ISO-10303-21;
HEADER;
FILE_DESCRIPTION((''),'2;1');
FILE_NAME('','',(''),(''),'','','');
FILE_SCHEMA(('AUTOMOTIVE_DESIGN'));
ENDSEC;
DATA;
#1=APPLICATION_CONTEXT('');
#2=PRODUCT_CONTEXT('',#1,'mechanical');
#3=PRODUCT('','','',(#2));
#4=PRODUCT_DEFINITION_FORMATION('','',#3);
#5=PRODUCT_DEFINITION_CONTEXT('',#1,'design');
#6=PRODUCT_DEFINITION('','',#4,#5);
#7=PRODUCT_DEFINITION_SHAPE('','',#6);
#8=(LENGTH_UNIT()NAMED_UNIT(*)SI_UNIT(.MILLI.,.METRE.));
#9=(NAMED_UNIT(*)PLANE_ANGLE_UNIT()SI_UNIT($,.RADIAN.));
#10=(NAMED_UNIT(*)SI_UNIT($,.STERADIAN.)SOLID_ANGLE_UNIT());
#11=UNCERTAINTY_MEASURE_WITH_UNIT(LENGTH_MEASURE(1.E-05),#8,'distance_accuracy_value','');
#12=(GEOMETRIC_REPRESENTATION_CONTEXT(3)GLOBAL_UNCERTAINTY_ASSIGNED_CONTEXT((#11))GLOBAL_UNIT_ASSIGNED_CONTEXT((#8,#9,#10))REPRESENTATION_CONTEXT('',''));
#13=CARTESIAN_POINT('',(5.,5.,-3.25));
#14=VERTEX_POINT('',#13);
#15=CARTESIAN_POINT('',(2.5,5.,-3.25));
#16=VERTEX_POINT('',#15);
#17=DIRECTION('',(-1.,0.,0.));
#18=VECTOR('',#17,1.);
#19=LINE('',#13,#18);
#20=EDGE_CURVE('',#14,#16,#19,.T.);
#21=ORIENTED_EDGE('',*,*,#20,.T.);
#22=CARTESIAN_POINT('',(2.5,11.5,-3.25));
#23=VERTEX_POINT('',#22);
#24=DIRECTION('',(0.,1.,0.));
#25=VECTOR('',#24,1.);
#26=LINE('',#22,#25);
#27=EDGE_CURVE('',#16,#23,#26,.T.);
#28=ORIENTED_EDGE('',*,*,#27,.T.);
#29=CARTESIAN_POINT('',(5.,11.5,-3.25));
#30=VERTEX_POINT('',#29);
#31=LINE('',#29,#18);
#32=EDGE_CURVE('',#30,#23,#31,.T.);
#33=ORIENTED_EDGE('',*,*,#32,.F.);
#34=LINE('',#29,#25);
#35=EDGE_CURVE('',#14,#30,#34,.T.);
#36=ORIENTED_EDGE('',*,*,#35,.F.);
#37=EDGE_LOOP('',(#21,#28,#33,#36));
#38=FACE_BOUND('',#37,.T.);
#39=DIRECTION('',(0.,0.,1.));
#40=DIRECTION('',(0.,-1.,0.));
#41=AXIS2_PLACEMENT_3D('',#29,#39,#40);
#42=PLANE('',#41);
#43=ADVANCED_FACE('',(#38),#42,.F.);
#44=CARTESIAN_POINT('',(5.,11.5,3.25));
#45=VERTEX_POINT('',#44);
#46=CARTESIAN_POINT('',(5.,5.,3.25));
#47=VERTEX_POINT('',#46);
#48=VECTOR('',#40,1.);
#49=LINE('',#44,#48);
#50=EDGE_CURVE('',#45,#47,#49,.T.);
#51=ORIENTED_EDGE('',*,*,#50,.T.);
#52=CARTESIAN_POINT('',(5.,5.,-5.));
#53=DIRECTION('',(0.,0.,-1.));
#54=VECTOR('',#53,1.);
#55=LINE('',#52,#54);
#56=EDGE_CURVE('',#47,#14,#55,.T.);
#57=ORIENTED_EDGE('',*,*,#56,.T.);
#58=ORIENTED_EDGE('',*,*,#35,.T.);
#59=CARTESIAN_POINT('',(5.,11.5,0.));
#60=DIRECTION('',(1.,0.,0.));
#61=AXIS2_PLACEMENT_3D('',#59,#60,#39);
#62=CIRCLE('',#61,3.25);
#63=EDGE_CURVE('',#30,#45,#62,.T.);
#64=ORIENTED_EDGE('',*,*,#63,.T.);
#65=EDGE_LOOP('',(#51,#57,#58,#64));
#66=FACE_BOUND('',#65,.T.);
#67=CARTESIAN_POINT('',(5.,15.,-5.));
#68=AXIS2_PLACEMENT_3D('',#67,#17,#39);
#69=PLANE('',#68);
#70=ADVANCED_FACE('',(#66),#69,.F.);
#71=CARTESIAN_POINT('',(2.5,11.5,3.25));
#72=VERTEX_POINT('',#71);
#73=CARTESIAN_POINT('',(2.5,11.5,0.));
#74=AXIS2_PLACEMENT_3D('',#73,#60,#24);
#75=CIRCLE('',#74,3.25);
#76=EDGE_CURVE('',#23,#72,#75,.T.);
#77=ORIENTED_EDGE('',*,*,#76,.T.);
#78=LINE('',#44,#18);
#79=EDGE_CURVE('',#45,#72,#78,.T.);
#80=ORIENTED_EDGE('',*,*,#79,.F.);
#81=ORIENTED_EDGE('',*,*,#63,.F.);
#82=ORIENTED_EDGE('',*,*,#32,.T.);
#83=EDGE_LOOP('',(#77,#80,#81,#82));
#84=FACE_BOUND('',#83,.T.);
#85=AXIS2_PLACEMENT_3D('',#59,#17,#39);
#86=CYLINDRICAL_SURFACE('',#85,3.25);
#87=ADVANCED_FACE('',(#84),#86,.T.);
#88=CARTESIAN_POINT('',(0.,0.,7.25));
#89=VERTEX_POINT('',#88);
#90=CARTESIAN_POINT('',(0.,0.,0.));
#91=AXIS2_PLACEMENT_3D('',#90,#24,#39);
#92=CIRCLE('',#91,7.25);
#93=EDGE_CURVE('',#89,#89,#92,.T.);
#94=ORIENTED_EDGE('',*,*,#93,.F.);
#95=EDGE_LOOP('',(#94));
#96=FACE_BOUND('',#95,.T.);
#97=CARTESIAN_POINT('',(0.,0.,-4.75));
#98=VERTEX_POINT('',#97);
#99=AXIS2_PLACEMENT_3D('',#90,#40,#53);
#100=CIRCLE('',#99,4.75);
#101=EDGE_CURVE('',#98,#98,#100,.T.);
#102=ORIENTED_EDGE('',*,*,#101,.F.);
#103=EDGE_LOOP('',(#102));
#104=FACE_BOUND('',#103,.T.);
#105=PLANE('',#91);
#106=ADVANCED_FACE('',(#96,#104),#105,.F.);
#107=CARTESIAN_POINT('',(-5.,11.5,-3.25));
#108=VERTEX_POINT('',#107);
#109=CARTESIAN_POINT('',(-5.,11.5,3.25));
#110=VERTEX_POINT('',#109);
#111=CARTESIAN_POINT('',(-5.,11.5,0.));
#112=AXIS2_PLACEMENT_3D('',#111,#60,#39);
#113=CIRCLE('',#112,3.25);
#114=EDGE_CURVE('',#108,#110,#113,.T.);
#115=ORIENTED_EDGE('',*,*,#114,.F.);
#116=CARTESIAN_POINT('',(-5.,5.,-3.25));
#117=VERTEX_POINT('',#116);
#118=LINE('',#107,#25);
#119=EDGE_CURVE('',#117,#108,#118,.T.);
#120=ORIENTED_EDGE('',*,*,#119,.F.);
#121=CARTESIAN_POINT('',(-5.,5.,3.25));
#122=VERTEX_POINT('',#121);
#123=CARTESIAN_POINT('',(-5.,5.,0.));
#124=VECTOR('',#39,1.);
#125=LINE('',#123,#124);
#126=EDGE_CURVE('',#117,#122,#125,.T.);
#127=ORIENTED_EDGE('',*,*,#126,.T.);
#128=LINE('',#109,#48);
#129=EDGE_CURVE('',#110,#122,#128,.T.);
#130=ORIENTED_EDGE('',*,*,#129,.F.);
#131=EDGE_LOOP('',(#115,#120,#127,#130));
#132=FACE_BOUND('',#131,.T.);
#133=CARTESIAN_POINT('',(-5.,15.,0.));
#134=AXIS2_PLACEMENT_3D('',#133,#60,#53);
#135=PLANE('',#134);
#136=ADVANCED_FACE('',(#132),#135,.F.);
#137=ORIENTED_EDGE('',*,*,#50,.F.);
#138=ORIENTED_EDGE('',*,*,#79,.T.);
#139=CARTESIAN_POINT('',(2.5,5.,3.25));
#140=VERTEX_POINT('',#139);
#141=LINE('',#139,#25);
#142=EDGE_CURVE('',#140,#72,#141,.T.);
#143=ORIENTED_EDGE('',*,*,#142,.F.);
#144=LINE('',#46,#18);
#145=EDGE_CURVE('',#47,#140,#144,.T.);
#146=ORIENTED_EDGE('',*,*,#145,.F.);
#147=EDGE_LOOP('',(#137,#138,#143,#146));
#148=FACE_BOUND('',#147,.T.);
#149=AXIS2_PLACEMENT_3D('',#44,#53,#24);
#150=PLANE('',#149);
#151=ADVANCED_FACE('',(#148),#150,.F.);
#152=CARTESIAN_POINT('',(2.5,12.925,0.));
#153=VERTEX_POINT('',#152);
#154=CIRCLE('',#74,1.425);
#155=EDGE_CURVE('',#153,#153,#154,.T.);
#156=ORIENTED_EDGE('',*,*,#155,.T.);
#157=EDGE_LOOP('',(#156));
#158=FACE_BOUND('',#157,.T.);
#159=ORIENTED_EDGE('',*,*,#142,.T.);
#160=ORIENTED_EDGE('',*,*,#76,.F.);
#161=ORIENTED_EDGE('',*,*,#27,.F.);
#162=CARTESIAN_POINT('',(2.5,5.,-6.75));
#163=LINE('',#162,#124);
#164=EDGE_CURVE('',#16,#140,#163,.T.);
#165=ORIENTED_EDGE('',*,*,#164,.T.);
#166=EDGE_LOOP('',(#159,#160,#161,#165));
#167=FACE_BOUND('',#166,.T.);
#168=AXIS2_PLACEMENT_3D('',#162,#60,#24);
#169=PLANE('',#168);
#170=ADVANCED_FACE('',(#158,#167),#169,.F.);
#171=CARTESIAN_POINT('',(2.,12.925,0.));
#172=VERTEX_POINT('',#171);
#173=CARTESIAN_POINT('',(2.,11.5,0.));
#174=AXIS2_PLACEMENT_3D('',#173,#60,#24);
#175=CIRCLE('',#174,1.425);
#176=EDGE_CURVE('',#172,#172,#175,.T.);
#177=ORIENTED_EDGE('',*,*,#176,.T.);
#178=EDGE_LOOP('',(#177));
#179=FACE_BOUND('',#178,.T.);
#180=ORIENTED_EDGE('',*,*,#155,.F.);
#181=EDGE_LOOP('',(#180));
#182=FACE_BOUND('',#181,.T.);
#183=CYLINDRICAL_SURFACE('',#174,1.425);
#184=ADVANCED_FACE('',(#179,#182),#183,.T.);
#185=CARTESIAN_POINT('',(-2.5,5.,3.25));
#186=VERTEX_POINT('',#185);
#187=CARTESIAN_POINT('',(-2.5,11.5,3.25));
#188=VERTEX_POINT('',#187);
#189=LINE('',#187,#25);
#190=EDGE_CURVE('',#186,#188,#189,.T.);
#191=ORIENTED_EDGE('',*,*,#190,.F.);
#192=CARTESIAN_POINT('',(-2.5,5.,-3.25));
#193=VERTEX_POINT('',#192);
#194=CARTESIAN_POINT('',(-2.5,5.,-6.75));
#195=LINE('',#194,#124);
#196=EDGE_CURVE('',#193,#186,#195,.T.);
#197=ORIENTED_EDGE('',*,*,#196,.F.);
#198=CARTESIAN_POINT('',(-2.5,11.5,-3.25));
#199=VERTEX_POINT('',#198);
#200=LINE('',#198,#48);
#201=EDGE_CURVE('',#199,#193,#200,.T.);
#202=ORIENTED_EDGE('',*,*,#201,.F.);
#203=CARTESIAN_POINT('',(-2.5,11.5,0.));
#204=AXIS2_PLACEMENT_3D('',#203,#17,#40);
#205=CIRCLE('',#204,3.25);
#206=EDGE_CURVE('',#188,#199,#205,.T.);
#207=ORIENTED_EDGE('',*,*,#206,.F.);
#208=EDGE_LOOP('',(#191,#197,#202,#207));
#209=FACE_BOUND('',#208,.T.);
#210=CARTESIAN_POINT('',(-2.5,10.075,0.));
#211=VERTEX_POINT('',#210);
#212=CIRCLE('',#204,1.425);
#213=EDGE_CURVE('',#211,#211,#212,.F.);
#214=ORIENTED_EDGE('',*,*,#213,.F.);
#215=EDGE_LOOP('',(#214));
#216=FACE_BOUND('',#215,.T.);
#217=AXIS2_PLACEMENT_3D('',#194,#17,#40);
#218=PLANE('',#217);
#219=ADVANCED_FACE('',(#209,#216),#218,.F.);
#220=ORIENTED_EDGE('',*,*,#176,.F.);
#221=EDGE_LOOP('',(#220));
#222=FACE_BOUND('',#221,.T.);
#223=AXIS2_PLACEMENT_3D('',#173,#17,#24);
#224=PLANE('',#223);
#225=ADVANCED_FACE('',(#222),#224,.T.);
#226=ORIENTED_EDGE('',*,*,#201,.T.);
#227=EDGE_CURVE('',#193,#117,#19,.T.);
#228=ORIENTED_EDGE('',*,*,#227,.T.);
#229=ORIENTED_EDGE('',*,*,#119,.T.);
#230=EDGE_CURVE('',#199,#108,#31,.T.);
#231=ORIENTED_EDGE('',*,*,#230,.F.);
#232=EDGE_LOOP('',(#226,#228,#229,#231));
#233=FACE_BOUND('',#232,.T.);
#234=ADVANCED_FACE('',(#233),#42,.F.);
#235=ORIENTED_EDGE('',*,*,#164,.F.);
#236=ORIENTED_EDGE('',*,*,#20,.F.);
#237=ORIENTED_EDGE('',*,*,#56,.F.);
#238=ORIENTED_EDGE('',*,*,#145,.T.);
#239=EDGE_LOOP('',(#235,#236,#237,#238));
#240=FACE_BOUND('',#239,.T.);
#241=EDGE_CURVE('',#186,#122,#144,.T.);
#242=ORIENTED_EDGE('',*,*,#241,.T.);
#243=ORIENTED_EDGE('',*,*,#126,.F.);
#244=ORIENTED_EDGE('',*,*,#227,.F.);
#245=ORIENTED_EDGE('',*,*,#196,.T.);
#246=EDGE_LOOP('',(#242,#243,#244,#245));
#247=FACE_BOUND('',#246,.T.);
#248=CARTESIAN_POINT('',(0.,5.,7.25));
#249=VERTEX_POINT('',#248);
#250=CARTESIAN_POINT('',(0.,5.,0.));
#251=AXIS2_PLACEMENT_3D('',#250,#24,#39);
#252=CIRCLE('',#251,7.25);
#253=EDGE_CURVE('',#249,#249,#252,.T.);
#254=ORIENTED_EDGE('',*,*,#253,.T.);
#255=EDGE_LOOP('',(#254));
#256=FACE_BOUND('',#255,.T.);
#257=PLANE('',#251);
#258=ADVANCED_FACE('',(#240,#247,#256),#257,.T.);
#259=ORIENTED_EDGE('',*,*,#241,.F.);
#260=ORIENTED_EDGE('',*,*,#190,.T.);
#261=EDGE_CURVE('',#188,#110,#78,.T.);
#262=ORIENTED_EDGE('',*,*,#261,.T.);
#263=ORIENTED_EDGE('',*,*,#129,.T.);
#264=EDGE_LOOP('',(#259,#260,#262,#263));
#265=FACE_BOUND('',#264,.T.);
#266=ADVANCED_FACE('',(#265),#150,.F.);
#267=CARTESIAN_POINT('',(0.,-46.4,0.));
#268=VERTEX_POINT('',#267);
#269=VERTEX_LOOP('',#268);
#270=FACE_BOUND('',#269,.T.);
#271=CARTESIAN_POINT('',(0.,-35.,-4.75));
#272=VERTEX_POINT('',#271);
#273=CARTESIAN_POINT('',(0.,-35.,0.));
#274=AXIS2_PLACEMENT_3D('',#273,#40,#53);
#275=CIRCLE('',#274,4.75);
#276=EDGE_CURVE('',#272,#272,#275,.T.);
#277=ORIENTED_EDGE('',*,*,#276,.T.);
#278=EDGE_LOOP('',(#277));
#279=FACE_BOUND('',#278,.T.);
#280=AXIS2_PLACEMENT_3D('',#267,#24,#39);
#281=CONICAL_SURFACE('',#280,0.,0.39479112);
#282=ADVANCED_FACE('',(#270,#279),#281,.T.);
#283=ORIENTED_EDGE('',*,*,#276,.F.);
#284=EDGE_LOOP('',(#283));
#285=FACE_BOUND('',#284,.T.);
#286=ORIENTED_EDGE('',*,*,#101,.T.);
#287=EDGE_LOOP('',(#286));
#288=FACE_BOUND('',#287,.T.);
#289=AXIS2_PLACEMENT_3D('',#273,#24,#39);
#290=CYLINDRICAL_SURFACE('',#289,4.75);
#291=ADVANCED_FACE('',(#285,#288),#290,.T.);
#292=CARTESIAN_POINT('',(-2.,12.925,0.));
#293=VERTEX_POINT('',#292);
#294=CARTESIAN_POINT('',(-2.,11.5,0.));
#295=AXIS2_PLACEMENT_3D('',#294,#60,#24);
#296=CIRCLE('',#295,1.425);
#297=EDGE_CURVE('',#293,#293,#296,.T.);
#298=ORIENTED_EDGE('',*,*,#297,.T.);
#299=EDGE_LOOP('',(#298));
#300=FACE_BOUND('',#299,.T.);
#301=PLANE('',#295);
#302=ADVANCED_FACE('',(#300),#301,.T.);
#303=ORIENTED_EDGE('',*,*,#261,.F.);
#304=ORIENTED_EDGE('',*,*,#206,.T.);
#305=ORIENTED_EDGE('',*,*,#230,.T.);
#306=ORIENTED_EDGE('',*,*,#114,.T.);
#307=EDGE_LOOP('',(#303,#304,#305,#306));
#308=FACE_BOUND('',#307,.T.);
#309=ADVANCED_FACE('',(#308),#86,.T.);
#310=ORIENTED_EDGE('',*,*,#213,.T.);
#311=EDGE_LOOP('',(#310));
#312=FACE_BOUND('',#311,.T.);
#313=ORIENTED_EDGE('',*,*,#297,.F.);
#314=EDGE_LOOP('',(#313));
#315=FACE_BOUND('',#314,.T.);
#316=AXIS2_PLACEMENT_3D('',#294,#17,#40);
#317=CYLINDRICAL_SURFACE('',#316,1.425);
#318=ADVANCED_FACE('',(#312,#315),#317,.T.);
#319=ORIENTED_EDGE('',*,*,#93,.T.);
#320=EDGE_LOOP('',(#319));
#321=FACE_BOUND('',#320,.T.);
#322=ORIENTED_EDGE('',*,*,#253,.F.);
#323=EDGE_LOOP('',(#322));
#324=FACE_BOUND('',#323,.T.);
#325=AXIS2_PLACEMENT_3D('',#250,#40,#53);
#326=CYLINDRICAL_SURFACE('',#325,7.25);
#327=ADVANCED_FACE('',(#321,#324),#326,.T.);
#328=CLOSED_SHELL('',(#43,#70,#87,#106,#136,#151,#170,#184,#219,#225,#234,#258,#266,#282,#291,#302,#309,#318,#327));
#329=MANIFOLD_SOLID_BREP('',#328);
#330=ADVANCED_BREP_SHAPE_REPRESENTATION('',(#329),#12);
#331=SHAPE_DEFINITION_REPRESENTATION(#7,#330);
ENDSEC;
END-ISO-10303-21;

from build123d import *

# Parameters (mm, degrees)
SKETCH1_R           = 14.5
BOSS_EXTRUDE1_DEPTH = 10
BOSS_EXTRUDE2_DEPTH = 20
CUT_EXTRUDE1_DEPTH  = 20
SKETCH5_W           = 10
SKETCH5_H           = 20
CUT_EXTRUDE2_DEPTH  = 20
SKETCH6_R           = 2.85
BOSS_EXTRUDE3_DEPTH = 1
SCALE1_SCALE        = 0.5
SKETCH7_R           = 4.75
BOSS_EXTRUDE4_DEPTH = 35


with BuildPart() as part:
    # Sketch1 → Boss-Extrude1 (new body)
    with BuildSketch(Plane(origin=(0, 0, 0), x_dir=(1, 0, 0), z_dir=(0, 1, 0))):
        with Locations(Location((0, 0, 0), (0, 0, 270))):
            Circle(SKETCH1_R)
    extrude(amount=BOSS_EXTRUDE1_DEPTH)

    # Sketch2 → Boss-Extrude2 (add)
    with BuildSketch(Plane(origin=(0, 10, 0), x_dir=(1, 0, 0), z_dir=(0, 1, 0))):
        Polygon((-10, 0), (-10, 10), (10, 10), (10, -10), (-10, -10), align=None)
    extrude(amount=BOSS_EXTRUDE2_DEPTH)

    # Sketch3 → Cut-Extrude1 (cut)
    with BuildSketch(Plane.ZY.offset(10)):
        with BuildLine():
            Line((-6.5, 23), (-6.5, 10))
            Line((-6.5, 10), (-10, 10))
            Line((-10, 10), (-10, 30))
            Line((-10, 30), (10, 30))
            Line((10, 30), (10, 10))
            Line((10, 10), (6.5, 10))
            Line((6.5, 10), (6.5, 23))
            ThreePointArc((6.5, 23), (0, 29.5), (-6.5, 23))
        make_face()
    extrude(amount=-CUT_EXTRUDE1_DEPTH, mode=Mode.SUBTRACT)

    # Sketch5 → Cut-Extrude2 (cut)
    with BuildSketch(Plane.XY.offset(6.5)):
        with Locations((0, 20)):
            Rectangle(SKETCH5_W, SKETCH5_H)
    extrude(amount=-CUT_EXTRUDE2_DEPTH, mode=Mode.SUBTRACT)

    # Sketch6 → Boss-Extrude3 (add)
    with BuildSketch(Plane(origin=(-5, 0, 0), x_dir=(0, 0, -1), z_dir=(1, 0, 0))):
        with Locations(Location((0, 23, 0), (0, 0, 270))):
            Circle(SKETCH6_R)
    boss_extrude3 = extrude(amount=BOSS_EXTRUDE3_DEPTH)

    # Mirror1: Boss-Extrude3 across plane
    add(boss_extrude3.mirror(Plane(origin=(0, 0, 0), x_dir=(0, 0, 1), z_dir=(1, 0, 0))))


with BuildPart() as part_1:
    # Scale1: scaled about (0, 0, 0)
    add(part.part.scale(SCALE1_SCALE))

    # Sketch7 → Boss-Extrude4 (add)
    with BuildSketch(Plane.XZ):
        with Locations(Location((0, 0, 0), (0, 0, 270))):
            Circle(SKETCH7_R)
    extrude(amount=BOSS_EXTRUDE4_DEPTH)

    # Sketch8 → Revolve1 (revolve)
    with BuildSketch(Plane.XY, mode=Mode.PRIVATE) as revolve1_sk:
        Polygon((0, -35), (4.75, -35), (0, -46.4), align=None)
    revolve(revolve1_sk.sketch.rotate(Axis((0, -35, 0), (0, -1, 0)), 90), axis=Axis((0, -35, 0), (0, -1, 0)))


solid = part_1.part
